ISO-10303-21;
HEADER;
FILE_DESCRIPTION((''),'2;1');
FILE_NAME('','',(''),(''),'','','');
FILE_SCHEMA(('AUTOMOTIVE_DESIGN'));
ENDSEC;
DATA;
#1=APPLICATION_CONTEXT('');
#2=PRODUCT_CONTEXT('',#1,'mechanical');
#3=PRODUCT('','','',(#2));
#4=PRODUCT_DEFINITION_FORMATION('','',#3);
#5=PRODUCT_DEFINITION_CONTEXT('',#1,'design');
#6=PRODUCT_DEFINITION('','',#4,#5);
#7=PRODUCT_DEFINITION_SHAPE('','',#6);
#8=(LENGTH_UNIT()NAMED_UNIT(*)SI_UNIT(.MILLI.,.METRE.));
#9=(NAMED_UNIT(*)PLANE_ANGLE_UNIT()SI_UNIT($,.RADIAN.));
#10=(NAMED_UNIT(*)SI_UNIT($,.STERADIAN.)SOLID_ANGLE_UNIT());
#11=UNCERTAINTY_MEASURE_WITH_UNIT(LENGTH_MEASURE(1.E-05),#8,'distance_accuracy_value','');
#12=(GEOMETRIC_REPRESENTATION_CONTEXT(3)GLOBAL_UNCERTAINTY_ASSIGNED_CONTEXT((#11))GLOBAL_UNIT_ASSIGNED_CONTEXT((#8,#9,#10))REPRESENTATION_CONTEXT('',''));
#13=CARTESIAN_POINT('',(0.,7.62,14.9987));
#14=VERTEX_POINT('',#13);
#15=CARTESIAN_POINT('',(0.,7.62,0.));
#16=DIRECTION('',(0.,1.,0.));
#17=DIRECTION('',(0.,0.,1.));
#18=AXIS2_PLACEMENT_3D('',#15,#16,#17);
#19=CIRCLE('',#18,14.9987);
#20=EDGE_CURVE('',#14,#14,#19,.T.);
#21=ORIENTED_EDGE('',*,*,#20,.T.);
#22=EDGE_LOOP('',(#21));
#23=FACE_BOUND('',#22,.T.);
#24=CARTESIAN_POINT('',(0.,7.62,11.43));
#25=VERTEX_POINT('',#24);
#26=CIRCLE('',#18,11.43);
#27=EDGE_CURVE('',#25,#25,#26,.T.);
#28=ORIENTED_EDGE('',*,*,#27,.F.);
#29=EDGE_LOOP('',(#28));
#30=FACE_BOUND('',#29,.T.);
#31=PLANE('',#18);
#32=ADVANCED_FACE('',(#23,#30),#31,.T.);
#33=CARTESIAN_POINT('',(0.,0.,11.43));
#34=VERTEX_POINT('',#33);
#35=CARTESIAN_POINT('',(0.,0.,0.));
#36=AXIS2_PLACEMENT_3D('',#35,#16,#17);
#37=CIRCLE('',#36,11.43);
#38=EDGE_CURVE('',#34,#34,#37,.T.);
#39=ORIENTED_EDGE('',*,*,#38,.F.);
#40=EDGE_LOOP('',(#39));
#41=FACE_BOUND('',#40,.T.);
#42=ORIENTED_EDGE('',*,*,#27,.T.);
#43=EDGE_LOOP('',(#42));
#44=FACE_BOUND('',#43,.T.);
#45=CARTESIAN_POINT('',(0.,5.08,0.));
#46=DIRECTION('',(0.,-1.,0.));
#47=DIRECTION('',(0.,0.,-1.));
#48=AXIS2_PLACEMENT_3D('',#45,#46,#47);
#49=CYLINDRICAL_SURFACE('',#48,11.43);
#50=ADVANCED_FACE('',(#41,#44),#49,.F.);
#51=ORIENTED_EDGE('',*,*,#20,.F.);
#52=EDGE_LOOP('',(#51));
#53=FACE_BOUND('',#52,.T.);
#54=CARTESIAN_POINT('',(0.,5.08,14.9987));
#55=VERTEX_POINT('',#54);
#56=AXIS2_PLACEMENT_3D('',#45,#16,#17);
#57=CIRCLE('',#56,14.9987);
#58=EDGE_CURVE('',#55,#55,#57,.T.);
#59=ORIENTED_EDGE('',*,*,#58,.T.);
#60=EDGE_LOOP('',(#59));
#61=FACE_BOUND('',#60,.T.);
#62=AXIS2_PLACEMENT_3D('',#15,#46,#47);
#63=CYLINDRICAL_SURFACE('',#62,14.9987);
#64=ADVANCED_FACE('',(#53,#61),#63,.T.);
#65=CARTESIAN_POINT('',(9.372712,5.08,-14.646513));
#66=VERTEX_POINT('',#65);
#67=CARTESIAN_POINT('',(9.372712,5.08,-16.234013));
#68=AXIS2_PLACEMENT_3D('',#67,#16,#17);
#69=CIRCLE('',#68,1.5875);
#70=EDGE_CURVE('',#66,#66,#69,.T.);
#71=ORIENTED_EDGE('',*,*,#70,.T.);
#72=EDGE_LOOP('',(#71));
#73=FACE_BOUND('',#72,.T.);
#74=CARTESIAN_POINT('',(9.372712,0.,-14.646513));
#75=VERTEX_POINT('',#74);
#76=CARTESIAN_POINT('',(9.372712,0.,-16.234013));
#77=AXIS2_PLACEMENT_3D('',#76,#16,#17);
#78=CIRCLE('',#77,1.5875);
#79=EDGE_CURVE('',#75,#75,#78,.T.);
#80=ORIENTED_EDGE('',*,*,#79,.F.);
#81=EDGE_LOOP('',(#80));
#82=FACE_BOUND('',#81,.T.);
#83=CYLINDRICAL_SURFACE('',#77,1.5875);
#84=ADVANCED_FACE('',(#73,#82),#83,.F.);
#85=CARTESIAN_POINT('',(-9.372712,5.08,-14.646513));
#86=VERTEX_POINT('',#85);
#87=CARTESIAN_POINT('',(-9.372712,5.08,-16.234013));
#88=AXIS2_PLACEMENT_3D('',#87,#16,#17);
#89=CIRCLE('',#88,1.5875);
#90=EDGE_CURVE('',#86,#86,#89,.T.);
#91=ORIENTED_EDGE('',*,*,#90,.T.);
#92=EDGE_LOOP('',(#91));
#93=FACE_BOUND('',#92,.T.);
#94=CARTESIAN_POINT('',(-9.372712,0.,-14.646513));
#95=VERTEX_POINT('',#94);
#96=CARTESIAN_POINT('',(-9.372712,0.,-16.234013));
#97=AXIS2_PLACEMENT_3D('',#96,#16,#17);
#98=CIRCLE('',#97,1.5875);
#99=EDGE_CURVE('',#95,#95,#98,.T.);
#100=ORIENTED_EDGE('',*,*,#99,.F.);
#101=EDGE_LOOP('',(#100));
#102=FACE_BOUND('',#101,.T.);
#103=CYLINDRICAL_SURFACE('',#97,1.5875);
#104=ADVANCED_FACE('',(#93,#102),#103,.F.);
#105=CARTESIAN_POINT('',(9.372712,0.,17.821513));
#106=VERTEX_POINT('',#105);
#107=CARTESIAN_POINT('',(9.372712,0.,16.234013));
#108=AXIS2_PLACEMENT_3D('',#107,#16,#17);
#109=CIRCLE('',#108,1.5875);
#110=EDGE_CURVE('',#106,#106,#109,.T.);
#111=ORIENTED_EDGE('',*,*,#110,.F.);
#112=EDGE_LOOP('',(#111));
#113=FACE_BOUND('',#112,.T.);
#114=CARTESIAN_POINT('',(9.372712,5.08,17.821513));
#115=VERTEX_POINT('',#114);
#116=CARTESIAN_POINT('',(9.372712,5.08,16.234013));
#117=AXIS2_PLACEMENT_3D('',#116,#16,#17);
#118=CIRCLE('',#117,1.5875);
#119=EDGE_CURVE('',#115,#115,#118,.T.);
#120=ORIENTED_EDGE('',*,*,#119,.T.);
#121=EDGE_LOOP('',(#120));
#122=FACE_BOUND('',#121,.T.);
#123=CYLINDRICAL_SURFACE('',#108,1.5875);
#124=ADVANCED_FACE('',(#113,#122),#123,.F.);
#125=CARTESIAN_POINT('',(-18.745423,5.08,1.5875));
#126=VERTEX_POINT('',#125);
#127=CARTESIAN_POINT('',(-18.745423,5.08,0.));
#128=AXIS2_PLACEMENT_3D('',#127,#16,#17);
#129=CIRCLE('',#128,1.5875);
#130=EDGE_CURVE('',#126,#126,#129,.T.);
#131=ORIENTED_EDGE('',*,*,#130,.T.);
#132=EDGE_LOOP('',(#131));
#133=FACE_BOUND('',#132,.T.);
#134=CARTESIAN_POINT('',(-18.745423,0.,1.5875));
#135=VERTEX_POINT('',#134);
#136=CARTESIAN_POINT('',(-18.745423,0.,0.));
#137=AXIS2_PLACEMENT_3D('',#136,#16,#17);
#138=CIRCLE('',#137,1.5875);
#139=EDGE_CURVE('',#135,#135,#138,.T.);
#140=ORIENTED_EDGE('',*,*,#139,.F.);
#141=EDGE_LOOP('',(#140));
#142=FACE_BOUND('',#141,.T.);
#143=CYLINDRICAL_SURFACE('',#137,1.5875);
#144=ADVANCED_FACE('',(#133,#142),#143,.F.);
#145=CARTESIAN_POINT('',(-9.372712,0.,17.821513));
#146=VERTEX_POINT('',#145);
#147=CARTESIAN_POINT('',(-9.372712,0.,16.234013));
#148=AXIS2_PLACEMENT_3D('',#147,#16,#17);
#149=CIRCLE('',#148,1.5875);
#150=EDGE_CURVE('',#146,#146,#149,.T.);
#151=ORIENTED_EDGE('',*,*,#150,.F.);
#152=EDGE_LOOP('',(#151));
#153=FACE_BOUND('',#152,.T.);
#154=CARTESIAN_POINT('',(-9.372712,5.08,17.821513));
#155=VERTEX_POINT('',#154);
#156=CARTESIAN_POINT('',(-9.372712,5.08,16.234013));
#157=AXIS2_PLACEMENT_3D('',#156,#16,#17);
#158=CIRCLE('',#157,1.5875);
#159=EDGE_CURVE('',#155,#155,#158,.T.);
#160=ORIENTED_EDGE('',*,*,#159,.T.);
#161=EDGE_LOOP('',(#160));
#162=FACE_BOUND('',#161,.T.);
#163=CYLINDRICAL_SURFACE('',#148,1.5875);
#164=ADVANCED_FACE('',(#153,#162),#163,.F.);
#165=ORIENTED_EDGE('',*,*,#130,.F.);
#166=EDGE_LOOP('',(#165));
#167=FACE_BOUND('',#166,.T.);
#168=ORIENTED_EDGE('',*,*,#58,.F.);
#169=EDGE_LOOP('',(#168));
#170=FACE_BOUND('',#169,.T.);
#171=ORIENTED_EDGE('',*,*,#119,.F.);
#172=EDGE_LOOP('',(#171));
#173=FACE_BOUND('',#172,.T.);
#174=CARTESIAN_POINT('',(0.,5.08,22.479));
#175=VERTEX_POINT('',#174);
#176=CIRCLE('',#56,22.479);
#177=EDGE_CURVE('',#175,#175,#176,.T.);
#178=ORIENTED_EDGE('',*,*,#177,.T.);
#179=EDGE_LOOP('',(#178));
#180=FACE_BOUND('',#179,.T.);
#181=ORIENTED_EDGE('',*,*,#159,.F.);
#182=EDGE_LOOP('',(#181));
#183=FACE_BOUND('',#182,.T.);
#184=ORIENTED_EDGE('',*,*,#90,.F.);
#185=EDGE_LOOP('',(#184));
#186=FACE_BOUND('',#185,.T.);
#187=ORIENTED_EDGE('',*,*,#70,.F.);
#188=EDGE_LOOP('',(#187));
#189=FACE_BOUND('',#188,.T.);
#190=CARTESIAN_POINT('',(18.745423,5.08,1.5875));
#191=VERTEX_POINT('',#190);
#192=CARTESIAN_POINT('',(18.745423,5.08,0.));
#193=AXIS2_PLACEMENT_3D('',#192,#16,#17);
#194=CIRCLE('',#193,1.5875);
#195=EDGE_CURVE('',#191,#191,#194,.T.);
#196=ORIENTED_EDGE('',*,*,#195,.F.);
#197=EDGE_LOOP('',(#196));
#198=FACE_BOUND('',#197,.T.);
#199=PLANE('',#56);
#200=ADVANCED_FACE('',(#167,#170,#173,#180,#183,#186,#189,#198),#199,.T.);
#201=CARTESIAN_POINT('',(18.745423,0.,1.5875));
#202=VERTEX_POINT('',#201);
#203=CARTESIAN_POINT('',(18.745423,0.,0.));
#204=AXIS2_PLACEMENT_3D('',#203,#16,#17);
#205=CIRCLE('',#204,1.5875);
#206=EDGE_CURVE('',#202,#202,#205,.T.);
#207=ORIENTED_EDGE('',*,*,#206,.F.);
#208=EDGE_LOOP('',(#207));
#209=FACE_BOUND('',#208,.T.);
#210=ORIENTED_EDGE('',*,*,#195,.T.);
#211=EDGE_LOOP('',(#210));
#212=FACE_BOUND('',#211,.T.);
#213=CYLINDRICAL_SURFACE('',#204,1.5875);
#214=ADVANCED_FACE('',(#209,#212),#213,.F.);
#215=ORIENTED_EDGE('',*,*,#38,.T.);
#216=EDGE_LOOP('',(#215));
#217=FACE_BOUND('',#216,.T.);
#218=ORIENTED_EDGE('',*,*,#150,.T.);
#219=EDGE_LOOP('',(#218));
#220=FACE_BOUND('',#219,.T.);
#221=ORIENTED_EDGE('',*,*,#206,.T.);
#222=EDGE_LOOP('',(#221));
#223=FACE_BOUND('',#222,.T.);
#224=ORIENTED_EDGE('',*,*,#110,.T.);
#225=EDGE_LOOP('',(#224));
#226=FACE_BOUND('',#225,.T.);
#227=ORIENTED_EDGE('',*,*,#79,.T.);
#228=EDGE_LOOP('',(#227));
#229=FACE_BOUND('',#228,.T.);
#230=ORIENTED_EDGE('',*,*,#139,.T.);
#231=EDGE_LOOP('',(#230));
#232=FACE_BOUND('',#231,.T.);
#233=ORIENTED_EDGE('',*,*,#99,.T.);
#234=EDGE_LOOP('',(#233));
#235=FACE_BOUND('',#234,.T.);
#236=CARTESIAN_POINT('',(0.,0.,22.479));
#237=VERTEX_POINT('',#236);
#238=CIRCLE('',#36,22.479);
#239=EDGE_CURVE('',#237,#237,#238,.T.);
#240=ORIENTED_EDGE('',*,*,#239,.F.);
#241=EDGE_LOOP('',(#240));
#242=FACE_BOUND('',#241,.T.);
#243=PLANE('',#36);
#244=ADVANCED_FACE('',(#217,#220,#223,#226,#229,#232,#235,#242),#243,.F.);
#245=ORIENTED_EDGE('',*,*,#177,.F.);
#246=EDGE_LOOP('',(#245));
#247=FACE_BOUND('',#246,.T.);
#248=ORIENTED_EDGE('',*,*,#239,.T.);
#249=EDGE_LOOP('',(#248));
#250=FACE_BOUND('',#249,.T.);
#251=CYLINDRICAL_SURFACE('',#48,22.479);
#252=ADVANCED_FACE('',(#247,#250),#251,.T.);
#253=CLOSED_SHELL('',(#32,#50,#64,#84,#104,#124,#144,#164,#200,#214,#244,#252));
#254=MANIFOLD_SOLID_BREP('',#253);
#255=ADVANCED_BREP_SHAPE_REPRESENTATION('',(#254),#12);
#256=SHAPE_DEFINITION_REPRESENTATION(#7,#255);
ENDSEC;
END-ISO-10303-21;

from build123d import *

# Parameters (mm, degrees)
SKETCH1_R           = 22.479
SKETCH1_R_2         = 11.43
BOSS_EXTRUDE1_DEPTH = 5.08
SKETCH2_R           = 14.9987
SKETCH2_R_2         = 11.43
BOSS_EXTRUDE2_DEPTH = 2.54
SKETCH3_R           = 1.5875
CUT_EXTRUDE1_DEPTH  = 33.193435387


with BuildPart() as part:
    # Sketch1 → Boss-Extrude1 (new body)
    with BuildSketch(Plane(origin=(0, 0, 0), x_dir=(1, 0, 0), z_dir=(0, 1, 0))):
        with Locations(Location((0, 0, 0), (0, 0, 270))):
            Circle(SKETCH1_R)
        with Locations(Location((0, 0, 0), (0, 0, 270))):
            Circle(SKETCH1_R_2, mode=Mode.SUBTRACT)
    extrude(amount=BOSS_EXTRUDE1_DEPTH)

    # Sketch2 → Boss-Extrude2 (add)
    with BuildSketch(Plane(origin=(0, 5.08, 0), x_dir=(1, 0, 0), z_dir=(0, 1, 0))):
        with Locations(Location((0, 0, 0), (0, 0, 270))):
            Circle(SKETCH2_R)
        with Locations(Location((0, 0, 0), (0, 0, 270))):
            Circle(SKETCH2_R_2, mode=Mode.SUBTRACT)
    extrude(amount=BOSS_EXTRUDE2_DEPTH)

    # Sketch3 → Cut-Extrude1 (cut, through all)
    with BuildSketch(Plane(origin=(0, 5.08, 0), x_dir=(1, 0, 0), z_dir=(0, 1, 0))):
        with Locations(Location((-18.745423357, 0, 0), (0, 0, 270))):
            Circle(SKETCH3_R)
        with Locations(Location((-9.372711679, 16.234012832, 0), (0, 0, 270))):
            Circle(SKETCH3_R)
        with Locations(Location((9.372711679, 16.234012832, 0), (0, 0, 270))):
            Circle(SKETCH3_R)
        with Locations(Location((18.745423357, 0, 0), (0, 0, 270))):
            Circle(SKETCH3_R)
        with Locations(Location((9.372711679, -16.234012832, 0), (0, 0, 270))):
            Circle(SKETCH3_R)
        with Locations(Location((-9.372711679, -16.234012832, 0), (0, 0, 270))):
            Circle(SKETCH3_R)
    extrude(amount=-CUT_EXTRUDE1_DEPTH, mode=Mode.SUBTRACT)


solid = part.part
